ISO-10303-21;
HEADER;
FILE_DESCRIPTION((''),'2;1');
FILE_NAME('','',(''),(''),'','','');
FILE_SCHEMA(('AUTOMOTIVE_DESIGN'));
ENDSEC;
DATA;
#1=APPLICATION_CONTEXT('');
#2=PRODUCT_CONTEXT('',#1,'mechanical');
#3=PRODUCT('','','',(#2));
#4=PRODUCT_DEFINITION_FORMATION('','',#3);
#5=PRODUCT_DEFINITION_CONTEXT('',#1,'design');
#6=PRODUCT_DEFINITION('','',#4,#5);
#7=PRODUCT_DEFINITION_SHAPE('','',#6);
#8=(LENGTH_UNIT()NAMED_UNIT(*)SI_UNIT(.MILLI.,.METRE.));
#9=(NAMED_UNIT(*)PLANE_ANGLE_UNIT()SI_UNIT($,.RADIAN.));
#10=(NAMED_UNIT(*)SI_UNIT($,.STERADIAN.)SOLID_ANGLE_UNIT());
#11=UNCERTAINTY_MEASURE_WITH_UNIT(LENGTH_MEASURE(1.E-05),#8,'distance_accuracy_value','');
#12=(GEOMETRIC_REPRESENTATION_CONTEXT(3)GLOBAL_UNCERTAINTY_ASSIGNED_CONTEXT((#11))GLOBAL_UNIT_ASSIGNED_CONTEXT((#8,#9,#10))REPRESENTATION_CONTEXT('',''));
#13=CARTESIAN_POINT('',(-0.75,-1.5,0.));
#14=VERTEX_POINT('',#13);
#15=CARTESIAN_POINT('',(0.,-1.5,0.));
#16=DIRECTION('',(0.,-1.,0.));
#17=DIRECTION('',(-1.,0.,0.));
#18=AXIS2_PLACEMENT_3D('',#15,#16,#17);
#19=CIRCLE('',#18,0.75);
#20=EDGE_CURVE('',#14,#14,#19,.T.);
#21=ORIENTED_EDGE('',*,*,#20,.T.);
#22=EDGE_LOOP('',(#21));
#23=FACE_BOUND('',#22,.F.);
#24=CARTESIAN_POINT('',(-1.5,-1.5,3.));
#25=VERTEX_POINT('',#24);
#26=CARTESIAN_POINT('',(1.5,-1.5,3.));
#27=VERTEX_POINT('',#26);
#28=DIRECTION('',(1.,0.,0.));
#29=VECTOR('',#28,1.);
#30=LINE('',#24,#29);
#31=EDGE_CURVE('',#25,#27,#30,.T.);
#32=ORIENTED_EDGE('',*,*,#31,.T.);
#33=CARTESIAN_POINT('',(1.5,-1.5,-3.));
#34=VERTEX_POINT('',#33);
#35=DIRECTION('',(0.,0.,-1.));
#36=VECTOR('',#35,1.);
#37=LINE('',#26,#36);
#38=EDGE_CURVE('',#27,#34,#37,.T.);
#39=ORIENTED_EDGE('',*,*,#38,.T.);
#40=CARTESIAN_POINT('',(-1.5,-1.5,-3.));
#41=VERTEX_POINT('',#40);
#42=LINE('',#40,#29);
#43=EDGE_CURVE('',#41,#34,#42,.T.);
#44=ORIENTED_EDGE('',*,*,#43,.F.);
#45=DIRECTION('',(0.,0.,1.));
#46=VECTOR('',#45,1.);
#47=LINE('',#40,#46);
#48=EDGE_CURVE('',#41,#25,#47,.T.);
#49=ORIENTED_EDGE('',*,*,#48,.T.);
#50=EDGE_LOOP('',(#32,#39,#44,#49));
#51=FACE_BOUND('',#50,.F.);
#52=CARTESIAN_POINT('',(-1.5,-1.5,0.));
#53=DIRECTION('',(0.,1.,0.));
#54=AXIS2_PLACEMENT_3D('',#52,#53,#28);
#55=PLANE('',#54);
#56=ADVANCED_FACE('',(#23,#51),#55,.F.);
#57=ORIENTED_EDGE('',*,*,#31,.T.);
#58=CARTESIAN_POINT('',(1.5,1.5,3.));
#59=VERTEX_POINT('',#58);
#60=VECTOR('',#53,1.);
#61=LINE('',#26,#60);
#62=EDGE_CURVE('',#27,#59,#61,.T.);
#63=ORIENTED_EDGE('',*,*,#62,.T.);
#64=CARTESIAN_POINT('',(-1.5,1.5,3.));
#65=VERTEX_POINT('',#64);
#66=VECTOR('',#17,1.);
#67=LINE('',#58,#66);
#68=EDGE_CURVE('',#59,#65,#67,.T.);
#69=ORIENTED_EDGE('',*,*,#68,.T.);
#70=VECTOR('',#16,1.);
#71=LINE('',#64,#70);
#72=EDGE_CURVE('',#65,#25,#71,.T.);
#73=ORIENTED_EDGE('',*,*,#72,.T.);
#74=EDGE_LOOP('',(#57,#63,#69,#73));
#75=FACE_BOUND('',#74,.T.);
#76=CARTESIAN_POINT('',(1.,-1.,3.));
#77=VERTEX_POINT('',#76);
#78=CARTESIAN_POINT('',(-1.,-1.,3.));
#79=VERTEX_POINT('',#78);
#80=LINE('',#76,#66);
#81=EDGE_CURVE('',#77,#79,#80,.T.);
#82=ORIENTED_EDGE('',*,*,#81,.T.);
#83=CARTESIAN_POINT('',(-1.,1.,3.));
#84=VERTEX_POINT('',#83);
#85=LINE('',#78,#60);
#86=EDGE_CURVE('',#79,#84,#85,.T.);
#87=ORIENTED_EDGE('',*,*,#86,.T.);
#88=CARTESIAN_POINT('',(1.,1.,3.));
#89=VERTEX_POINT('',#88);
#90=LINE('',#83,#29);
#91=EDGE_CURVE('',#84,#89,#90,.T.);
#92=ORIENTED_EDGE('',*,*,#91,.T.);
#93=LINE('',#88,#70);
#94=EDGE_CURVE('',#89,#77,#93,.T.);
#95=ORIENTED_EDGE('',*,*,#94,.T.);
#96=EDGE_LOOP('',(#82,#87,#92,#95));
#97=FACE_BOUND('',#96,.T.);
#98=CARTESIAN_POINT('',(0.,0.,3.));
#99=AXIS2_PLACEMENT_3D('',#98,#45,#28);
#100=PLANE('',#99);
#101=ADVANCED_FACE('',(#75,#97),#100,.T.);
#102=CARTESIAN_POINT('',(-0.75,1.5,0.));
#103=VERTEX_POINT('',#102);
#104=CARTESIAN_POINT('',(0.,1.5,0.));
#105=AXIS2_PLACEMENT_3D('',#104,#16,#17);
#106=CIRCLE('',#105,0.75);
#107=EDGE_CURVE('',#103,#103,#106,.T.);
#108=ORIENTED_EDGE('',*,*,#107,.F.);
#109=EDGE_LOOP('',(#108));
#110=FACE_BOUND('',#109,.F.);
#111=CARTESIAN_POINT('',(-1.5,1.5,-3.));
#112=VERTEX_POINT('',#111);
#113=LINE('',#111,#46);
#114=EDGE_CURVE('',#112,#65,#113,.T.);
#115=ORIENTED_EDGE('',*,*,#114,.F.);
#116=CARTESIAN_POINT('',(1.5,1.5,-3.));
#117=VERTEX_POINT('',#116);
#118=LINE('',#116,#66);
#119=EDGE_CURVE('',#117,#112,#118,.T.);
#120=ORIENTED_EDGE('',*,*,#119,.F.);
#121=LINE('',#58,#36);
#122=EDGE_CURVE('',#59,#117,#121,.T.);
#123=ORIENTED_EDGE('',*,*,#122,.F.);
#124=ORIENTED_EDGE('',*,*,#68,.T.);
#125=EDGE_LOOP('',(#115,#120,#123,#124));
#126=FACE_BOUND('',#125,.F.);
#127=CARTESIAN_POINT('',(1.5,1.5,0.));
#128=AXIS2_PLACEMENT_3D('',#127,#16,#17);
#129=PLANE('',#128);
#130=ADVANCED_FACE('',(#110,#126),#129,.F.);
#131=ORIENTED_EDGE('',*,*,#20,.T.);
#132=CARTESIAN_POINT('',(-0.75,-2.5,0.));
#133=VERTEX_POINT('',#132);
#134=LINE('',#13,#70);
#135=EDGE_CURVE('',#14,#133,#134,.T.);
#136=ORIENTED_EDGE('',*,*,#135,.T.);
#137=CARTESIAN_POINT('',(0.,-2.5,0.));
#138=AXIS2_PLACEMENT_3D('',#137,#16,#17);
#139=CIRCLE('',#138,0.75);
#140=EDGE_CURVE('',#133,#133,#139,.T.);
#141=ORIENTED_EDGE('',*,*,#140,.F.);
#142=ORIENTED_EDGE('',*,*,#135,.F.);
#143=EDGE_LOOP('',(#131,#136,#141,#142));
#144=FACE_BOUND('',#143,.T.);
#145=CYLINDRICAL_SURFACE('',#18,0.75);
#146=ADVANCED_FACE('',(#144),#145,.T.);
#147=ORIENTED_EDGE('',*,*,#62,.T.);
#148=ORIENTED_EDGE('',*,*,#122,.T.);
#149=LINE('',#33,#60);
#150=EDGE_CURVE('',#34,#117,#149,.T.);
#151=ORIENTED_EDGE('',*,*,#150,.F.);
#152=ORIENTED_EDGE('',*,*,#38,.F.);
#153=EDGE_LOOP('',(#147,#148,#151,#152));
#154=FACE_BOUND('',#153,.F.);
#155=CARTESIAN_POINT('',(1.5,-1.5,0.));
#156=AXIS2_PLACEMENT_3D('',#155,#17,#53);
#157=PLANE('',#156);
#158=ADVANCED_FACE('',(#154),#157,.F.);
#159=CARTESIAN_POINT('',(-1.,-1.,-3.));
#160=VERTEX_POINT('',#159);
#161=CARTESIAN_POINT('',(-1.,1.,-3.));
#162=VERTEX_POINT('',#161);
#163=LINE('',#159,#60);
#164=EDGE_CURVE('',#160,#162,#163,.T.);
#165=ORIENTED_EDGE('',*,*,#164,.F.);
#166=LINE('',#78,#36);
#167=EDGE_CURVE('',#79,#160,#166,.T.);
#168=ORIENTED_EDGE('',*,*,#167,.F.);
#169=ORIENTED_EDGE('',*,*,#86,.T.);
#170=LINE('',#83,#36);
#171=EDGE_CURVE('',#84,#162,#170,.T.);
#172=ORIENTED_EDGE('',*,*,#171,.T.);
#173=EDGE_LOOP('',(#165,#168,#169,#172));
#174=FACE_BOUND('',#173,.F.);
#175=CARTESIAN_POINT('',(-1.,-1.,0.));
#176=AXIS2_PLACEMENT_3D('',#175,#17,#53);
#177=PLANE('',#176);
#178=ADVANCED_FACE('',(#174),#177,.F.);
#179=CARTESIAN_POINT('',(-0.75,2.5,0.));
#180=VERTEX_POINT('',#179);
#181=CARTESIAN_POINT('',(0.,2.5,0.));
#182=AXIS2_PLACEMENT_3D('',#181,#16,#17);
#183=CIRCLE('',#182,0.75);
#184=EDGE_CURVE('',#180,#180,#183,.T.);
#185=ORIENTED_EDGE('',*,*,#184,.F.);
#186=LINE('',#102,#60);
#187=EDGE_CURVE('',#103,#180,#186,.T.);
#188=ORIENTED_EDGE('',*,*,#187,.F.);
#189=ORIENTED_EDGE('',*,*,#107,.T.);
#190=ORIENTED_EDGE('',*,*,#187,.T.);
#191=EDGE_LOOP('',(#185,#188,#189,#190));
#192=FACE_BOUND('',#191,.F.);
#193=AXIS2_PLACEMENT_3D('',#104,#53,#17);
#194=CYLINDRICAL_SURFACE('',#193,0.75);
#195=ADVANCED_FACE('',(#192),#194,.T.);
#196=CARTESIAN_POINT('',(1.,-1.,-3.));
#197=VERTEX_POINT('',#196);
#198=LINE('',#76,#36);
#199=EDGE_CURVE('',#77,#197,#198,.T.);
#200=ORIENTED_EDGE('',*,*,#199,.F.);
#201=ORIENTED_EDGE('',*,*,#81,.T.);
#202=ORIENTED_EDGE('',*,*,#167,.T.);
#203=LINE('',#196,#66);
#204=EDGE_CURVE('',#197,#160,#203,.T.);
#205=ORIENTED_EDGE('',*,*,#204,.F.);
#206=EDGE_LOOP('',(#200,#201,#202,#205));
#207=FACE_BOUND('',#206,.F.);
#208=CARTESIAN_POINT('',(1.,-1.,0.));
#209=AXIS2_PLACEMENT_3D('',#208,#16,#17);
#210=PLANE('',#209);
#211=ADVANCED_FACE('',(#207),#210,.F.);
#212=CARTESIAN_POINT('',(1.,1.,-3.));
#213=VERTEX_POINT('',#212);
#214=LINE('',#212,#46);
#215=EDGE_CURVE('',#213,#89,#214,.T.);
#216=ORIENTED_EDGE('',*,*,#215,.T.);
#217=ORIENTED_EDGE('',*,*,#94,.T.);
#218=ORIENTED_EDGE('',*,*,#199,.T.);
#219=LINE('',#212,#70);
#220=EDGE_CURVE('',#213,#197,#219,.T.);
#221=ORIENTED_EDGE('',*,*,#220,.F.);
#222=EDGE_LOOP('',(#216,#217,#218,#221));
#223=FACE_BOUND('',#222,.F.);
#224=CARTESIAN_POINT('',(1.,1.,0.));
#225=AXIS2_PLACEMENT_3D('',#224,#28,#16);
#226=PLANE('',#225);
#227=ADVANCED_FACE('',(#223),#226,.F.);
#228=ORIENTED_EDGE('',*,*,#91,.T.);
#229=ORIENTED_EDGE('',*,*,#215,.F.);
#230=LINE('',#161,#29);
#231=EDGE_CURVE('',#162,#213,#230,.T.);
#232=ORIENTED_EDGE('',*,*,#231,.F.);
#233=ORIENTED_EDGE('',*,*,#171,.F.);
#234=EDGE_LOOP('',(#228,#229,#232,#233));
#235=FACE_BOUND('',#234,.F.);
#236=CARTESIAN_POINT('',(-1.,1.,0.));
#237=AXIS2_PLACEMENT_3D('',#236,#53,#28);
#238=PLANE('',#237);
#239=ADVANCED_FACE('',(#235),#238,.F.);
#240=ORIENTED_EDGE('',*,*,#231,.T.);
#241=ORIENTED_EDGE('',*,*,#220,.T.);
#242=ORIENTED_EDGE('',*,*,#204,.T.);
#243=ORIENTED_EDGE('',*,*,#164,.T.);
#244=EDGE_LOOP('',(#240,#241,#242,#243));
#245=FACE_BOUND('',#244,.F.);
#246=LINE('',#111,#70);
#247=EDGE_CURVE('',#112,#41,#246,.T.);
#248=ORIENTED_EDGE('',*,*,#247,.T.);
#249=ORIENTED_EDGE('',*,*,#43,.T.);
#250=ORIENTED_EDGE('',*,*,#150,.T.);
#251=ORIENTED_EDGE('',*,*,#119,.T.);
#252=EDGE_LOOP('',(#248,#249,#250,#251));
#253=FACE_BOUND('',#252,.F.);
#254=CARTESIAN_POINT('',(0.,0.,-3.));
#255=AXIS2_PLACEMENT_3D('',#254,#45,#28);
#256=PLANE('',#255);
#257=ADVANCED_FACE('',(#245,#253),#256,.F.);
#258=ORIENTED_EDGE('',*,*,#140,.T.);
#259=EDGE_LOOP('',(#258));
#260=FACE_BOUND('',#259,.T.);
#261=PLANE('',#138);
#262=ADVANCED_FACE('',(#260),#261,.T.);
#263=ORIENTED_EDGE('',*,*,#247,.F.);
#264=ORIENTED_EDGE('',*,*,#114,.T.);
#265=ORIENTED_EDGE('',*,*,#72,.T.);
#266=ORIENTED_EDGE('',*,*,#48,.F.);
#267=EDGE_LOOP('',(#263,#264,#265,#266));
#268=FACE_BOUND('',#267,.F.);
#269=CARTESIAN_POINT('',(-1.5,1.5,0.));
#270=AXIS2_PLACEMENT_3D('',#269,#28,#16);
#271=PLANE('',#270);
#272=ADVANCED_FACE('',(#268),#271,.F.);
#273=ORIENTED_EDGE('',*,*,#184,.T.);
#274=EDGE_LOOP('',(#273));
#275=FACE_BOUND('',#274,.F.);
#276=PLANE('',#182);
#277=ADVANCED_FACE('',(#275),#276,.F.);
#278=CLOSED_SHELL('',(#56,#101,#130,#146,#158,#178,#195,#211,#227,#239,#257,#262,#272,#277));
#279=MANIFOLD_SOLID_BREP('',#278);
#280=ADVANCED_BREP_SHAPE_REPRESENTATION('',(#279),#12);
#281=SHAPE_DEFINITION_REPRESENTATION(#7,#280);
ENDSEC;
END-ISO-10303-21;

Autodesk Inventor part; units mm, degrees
ref_plane "YZ Plane" through (0, 0, 0) normal (1, 0, 0) x (0, 1, 0)
ref_plane "XZ Plane" through (0, 0, 0) normal (0, 1, 0) x (-1, 0, 0)
ref_plane "XY Plane" through (0, 0, 0) normal (0, 0, 1) x (1, 0, 0)
sketch "Sketch9" plane through (0, 0, 0) normal (0, 0, 1) x (1, 0, 0)
  line L0 (1, 1) -> (1, -1)
  line L1 (1, -1) -> (-1, -1)
  line L2 (-1, -1) -> (-1, 1)
  line L3 (-1, 1) -> (1, 1)
  line L4 (-1.5, 1.5) -> (-1.5, -1.5)
  line L5 (-1.5, -1.5) -> (1.5, -1.5)
  line L6 (1.5, -1.5) -> (1.5, 1.5)
  line L7 (1.5, 1.5) -> (-1.5, 1.5)
  point P0 (0, 0)
  dimension "d36" = 2
  dimension "d37" = 3
extrude "Extrusion7" add sketch "Sketch9" along normal mid plane 6
sketch "Sketch10" plane through (0, 0, 0) normal (0, 0, 1) x (1, 0, 0)
  line L0 (-1.5, 1.5) -> (1.5, 1.5) projected
  line L1 (1.5, -1.5) -> (-1.5, -1.5) projected
  line L2 (0, 1.5) -> (0, -1.5) construction
  line L3 (0, 1.5) -> (-0.75, 1.5)
  line L4 (-0.75, 1.5) -> (-0.75, 2.5)
  line L5 (-0.75, 2.5) -> (0, 2.5)
  line L6 (0, 2.5) -> (0, 1.5)
  line L7 (0, -1.5) -> (-0.75, -1.5)
  line L8 (-0.75, -1.5) -> (-0.75, -2.5)
  line L9 (-0.75, -2.5) -> (0, -2.5)
  line L10 (0, -2.5) -> (0, -1.5)
  dimension "d40" = 0.75
  dimension "d42" = 1
  dimension "d43" = 1
revolve "Revolution2" add sketch "Sketch10" angle 360 about axis through (0, 1.5, 0) along (0, -1, 0)
properties part number "SlderA"
